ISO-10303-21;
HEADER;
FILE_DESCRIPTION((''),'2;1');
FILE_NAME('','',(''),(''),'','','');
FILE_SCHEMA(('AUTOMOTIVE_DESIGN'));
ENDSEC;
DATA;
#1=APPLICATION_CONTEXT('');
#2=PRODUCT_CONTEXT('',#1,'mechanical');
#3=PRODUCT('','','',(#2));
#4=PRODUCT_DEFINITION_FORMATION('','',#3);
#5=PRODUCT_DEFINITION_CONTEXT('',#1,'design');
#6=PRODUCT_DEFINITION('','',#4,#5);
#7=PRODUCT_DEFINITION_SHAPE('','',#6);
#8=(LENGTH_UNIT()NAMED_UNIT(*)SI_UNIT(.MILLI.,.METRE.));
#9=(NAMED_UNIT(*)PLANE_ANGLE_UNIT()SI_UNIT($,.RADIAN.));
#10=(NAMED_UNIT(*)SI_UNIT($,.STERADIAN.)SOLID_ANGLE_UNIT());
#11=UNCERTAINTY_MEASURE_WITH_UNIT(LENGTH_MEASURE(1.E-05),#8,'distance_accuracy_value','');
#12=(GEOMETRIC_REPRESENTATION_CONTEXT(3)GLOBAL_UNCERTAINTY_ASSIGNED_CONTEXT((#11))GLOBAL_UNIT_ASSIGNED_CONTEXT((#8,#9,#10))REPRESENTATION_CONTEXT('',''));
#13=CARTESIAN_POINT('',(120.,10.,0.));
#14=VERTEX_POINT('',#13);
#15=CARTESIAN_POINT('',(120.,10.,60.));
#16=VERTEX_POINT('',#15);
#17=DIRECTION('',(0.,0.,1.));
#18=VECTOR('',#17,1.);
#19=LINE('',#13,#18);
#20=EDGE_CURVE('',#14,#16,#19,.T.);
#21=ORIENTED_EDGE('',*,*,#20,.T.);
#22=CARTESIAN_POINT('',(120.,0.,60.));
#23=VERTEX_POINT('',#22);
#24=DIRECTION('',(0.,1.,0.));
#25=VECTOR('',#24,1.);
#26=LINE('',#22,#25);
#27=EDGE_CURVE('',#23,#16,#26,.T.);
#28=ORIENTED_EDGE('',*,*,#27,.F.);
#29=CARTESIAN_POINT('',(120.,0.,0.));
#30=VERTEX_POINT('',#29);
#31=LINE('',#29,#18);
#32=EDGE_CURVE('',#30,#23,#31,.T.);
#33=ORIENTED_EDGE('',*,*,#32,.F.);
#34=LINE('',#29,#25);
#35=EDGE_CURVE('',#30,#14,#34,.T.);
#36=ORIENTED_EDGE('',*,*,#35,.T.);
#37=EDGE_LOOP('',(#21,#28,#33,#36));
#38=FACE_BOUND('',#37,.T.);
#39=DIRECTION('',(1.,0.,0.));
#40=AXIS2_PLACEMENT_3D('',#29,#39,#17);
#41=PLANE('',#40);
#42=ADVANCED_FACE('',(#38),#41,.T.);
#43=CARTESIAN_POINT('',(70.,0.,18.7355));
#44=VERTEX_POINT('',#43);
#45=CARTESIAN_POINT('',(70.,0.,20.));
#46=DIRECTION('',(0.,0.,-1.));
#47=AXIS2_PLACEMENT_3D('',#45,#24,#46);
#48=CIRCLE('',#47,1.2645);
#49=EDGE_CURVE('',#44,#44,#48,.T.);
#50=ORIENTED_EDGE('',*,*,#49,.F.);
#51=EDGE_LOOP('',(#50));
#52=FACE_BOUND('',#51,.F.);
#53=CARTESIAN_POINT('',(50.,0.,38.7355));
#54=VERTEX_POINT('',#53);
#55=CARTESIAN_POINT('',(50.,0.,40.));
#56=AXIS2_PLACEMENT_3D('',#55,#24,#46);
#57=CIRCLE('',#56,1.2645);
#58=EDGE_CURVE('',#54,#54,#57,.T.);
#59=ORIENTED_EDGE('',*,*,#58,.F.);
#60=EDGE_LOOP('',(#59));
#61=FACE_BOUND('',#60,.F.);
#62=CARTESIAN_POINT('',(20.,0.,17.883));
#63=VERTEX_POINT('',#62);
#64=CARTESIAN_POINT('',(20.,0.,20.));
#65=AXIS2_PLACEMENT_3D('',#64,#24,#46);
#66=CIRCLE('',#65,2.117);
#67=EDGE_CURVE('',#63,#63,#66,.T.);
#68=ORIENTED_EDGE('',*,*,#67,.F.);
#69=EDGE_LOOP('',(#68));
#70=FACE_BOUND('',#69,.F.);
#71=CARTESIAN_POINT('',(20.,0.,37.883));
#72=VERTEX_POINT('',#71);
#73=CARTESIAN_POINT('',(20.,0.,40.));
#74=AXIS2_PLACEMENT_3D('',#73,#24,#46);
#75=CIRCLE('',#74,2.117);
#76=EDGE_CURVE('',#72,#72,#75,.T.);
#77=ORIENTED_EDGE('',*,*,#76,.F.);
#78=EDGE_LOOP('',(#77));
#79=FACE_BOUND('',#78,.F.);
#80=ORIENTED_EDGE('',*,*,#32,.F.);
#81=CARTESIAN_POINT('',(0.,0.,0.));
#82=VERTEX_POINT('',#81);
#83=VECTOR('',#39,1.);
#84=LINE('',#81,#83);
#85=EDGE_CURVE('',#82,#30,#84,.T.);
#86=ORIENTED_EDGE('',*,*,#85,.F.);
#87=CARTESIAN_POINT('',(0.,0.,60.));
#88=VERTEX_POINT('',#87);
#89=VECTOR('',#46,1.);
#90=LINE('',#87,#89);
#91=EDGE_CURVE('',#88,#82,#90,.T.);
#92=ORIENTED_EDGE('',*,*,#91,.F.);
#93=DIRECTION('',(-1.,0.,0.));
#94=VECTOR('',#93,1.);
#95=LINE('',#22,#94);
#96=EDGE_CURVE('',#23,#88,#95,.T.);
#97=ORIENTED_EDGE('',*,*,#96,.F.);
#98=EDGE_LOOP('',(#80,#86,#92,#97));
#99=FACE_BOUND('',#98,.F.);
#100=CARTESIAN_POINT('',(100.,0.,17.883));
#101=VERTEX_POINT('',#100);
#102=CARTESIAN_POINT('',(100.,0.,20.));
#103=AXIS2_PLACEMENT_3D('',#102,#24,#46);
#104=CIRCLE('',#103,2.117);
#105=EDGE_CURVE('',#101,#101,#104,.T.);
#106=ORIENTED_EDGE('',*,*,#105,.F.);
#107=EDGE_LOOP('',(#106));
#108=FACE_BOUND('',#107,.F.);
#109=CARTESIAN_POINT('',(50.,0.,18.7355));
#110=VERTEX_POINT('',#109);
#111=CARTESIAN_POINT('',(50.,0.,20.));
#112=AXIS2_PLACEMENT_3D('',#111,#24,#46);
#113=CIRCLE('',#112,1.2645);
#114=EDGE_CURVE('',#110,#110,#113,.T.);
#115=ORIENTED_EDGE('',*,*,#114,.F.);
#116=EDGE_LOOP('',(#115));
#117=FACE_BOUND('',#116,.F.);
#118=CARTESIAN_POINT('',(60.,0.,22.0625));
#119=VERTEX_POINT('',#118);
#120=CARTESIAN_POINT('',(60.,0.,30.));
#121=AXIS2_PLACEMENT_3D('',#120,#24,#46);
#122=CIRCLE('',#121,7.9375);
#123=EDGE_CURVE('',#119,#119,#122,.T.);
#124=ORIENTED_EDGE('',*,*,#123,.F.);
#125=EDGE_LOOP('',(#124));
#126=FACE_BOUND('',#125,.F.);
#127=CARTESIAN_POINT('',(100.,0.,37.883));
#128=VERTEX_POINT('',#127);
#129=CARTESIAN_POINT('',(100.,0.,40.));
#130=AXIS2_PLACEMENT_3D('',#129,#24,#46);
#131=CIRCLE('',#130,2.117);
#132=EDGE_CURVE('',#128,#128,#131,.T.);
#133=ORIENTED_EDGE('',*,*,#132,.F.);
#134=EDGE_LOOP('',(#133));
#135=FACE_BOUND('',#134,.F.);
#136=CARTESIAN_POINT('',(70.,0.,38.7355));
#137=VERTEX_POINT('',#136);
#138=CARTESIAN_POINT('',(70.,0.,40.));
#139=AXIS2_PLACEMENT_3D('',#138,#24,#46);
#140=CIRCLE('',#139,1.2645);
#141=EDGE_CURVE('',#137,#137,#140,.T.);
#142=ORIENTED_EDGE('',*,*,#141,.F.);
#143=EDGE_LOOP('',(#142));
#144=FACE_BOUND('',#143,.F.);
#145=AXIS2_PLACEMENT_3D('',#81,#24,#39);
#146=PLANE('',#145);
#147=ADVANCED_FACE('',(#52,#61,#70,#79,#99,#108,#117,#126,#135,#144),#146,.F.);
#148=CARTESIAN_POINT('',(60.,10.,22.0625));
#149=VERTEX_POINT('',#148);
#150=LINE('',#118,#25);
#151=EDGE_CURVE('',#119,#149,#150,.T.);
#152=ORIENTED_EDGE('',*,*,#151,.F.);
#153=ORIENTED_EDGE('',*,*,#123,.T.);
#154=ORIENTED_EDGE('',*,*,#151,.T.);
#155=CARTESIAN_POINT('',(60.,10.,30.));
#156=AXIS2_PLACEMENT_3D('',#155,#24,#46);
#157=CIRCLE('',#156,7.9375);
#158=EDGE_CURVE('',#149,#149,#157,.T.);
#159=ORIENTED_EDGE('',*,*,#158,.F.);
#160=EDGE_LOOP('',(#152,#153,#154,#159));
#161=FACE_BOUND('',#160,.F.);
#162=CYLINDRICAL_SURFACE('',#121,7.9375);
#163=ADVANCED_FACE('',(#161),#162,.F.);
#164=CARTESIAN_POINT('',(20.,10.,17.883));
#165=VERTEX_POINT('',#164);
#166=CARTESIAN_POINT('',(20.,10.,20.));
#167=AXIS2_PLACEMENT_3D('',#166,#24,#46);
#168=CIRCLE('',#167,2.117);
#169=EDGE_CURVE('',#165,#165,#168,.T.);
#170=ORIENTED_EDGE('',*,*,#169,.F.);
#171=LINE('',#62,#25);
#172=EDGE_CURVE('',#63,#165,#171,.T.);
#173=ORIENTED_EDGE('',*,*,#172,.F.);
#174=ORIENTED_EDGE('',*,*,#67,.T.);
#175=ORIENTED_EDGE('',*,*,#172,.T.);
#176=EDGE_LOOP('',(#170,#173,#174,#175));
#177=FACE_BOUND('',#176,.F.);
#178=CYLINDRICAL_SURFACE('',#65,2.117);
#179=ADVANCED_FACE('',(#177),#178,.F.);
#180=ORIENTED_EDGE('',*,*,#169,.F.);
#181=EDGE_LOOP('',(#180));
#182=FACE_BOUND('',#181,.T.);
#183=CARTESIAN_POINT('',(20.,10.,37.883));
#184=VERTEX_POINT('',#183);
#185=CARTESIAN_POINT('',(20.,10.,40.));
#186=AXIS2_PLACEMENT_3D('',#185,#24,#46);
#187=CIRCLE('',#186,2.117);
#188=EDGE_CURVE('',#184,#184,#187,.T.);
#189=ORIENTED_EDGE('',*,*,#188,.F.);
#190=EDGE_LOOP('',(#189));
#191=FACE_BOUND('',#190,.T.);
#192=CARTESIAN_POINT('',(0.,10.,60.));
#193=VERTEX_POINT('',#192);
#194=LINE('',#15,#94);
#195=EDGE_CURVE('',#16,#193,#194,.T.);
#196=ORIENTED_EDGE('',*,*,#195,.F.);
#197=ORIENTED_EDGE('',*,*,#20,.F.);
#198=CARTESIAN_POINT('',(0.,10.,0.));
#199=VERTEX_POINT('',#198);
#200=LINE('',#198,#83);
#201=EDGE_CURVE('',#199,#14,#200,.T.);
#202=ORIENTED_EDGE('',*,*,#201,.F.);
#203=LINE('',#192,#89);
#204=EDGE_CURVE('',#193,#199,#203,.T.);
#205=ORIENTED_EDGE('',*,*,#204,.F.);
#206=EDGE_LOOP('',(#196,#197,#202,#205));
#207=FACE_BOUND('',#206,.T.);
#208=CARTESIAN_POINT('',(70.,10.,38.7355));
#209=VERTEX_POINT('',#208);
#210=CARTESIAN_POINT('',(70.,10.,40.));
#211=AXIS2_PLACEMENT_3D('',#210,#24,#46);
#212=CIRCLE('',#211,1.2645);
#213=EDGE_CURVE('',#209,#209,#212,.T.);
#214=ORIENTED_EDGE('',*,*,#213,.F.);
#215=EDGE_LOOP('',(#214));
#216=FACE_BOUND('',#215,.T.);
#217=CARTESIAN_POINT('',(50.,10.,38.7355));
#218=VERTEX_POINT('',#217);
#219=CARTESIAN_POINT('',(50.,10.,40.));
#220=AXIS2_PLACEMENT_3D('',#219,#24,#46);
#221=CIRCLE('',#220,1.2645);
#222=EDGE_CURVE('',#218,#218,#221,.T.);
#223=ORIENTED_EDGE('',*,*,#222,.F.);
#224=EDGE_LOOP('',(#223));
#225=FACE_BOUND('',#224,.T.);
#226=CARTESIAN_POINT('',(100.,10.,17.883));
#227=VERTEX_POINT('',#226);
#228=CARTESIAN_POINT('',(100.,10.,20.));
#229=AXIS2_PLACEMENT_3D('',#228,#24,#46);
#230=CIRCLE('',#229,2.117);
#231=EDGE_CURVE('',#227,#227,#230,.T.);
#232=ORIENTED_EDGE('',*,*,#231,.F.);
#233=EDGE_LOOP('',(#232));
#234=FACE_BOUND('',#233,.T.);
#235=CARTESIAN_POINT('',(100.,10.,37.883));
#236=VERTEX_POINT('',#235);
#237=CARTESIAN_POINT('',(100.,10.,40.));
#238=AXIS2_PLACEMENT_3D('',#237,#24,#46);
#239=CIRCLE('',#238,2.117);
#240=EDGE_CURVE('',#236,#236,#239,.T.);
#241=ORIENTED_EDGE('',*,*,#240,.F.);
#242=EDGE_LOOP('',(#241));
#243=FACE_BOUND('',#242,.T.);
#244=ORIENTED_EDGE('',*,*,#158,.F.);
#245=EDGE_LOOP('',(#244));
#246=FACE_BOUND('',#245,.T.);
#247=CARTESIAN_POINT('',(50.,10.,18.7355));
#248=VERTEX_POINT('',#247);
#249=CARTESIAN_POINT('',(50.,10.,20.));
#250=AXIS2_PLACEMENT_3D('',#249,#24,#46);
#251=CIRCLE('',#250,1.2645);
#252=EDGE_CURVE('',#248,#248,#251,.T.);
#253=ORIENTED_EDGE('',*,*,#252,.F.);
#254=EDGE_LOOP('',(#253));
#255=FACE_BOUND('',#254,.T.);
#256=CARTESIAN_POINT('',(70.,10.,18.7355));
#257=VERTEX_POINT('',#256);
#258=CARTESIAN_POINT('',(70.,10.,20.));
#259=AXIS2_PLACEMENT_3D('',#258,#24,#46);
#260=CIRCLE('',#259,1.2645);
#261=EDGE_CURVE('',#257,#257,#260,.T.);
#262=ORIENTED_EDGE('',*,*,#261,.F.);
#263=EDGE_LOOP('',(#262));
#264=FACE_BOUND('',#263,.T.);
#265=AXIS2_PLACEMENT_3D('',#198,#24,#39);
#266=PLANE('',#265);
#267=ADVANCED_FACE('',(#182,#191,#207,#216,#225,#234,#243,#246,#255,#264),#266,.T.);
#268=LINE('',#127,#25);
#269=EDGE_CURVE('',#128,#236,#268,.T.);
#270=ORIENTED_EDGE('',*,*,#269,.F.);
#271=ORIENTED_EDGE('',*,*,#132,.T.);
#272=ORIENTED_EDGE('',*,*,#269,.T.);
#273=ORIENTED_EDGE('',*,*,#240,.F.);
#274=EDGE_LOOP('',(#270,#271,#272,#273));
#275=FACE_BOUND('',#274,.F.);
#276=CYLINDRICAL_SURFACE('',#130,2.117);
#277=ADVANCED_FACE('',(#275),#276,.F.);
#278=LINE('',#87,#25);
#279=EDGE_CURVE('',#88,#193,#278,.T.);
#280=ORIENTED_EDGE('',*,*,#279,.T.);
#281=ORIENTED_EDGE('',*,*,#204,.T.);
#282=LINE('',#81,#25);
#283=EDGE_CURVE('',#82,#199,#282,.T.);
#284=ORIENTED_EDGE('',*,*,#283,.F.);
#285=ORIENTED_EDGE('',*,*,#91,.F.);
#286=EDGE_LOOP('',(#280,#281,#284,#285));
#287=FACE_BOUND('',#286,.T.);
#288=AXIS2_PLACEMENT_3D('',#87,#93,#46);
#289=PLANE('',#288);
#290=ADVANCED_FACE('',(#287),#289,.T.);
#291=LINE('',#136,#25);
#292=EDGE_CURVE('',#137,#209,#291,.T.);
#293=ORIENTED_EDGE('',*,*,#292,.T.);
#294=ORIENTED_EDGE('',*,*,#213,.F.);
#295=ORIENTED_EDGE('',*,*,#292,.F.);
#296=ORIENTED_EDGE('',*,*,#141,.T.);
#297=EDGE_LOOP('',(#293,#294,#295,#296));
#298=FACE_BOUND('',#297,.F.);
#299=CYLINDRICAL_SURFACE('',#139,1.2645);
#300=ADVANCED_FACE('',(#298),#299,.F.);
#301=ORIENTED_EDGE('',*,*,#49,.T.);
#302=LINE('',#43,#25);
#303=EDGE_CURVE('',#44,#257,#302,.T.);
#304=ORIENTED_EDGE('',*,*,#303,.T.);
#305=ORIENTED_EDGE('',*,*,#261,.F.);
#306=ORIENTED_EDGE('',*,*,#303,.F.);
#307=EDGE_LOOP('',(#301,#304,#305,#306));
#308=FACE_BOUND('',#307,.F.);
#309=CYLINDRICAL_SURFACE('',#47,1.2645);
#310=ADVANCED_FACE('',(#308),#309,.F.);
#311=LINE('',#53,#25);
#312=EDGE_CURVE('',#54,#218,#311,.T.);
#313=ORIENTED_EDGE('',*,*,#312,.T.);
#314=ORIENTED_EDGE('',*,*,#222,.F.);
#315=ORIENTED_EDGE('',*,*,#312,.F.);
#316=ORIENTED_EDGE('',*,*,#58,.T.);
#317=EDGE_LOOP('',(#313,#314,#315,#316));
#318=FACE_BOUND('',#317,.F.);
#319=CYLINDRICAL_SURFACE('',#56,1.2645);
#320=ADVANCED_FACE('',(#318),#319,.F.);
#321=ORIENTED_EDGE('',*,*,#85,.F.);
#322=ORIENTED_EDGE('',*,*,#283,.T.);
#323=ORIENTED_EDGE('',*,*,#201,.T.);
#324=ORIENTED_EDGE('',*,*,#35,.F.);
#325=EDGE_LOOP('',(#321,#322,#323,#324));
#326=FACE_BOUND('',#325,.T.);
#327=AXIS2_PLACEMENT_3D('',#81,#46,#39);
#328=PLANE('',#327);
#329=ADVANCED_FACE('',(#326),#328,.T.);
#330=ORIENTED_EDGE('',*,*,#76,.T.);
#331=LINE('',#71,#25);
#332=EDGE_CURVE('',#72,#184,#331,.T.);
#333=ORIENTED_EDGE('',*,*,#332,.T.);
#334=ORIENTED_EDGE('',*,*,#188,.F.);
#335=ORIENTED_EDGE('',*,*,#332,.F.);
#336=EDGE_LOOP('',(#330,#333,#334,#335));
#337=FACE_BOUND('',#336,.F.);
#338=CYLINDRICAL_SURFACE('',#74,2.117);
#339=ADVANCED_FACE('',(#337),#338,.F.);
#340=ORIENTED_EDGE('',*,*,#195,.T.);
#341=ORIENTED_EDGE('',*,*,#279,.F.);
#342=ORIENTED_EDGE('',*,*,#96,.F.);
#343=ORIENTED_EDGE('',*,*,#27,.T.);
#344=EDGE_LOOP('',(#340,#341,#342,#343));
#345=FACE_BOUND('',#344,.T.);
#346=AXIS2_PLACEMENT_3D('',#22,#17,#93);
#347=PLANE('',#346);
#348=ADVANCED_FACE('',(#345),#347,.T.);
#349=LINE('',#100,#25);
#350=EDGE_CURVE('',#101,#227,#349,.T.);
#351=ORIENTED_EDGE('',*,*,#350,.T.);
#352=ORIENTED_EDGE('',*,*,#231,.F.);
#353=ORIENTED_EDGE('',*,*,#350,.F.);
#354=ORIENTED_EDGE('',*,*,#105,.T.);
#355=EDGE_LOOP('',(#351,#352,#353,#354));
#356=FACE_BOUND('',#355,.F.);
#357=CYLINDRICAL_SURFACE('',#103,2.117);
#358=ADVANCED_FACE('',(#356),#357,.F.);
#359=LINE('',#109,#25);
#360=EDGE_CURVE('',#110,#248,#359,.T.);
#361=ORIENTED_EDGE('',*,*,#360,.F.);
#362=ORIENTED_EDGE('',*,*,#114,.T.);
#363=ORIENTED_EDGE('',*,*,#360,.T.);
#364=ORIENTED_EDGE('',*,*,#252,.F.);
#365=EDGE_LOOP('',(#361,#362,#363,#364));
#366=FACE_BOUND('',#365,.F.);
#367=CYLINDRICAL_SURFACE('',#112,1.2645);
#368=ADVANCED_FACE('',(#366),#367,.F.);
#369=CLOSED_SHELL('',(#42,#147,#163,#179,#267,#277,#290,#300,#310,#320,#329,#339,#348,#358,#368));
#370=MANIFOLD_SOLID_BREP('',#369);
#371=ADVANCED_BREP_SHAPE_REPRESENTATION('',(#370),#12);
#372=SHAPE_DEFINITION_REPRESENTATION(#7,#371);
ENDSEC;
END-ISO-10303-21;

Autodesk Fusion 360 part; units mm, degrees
sketch "Sketch1" plane through (0, 0, 0) normal (0, 1, 0) x (1, 0, 0)
  line L0 (0, 0) -> (120, 0)
  line L1 (120, 0) -> (120, -60)
  line L2 (120, -60) -> (0, -60)
  line L3 (0, -60) -> (0, 0)
  dimension "d1" = 120
  dimension "d2" = 60
extrude "Extrude1" add sketch "Sketch1" along normal blind 10
sketch "Sketch2" plane through (0, 0, 0) normal (0, -1, 0) x (1, 0, 0)
  line L0 (120, 60) -> (0, 60)
  line L1 (0, 60) -> (0, 0)
  line L2 (0, 0) -> (120, 0)
  line L3 (120, 0) -> (120, 60)
  line L4 (75.5, 45.5) -> (44.5, 45.5)
  line L5 (44.5, 45.5) -> (44.5, 14.5)
  line L6 (44.5, 14.5) -> (75.5, 14.5)
  dimension "d8" = 31
  dimension "d9" = 31
  dimension "d10" = 31
sketch "Sketch3" plane through (0, 0, 0) normal (0, -1, 0) x (1, 0, 0)
  circle A0 centre (44.5, 14.5) radius 1.2645
  circle A1 centre (75.5, 45.5) radius 1.2645
  circle A2 centre (75.5, 14.5) radius 1.2645
  circle A3 centre (44.5, 45.5) radius 1.2645
  line L0 (120, 60) -> (0, 60)
  line L1 (0, 60) -> (0, 0)
  line L2 (0, 0) -> (120, 0)
  line L3 (120, 0) -> (120, 60)
  line L4 (60, 60) -> (60, 30)
  line L5 (120, 60) -> (0, 60)
  line L6 (0, 60) -> (0, 0)
  line L7 (0, 0) -> (120, 0)
  line L8 (120, 0) -> (120, 60)
  dimension "d20" = 30
sketch "Sketch4" plane through (0, 0, 0) normal (0, -1, 0) x (1, 0, 0)
  line L0 (120, 60) -> (0, 60)
  line L1 (0, 60) -> (0, 0)
  line L2 (0, 0) -> (120, 0)
  line L3 (120, 0) -> (120, 60)
sketch "Sketch6" plane through (0, 0, 0) normal (0, -1, 0) x (1, 0, 0)
sketch "Sketch7" plane through (0, 0, 0) normal (0, -1, 0) x (1, 0, 0)
  line L0 (0, 0) -> (60, 0)
  line L1 (60, 0) -> (60, 30)
  line L2 (60, 30) -> (100, 30)
  line L3 (60, 30) -> (20, 30)
  line L4 (20, 30) -> (20, 20)
  line L5 (20, 30) -> (20, 40)
  line L6 (100, 30) -> (100, 20)
  line L7 (100, 30) -> (100, 40)
  dimension "d21" = 60
  dimension "d22" = 30
  dimension "d23" = 40
  dimension "d24" = 40
  dimension "d25" = 10
  dimension "d26" = 10
  dimension "d27" = 10
  dimension "d28" = 10
hole "Hole3" at (60, 0, 30) direction (0, 1, 0) diameter 15.875 depth 25 tip angle 118
sketch "Sketch8" plane through (0, 0, 0) normal (0, -1, 0) x (1, 0, 0)
  line L0 (0, 0) -> (60, 0)
  line L1 (60, 0) -> (60, 30)
  line L2 (60, 30) -> (100, 30)
  line L3 (100, 30) -> (100, 40)
  line L4 (100, 30) -> (100, 20)
  line L5 (100, 40) -> (20, 40)
  line L6 (60, 30) -> (20, 30)
  line L7 (20, 40) -> (20, 20)
  dimension "d32" = 60
  dimension "d33" = 30
  dimension "d34" = 40
  dimension "d35" = 10
  dimension "d36" = 10
  dimension "d37" = 80
  dimension "d38" = 40
  dimension "d39" = 20
hole "Hole4" at (20, 0, 40) at (100, 0, 40) at (100, 0, 20) at (20, 0, 20) direction (0, 1, 0) diameter 4.234 depth 25 tip angle 118
sketch "Sketch9" plane through (0, 0, 0) normal (0, -1, 0) x (1, 0, 0)
  line L0 (70, 40) -> (50, 40)
  line L1 (50, 40) -> (50, 20)
  line L2 (50, 20) -> (70, 20)
  dimension "d47" = 20
  dimension "d48" = 20
  dimension "d49" = 20
hole "Hole5" at (70, 0, 40) at (70, 0, 20) at (50, 0, 40) at (50, 0, 20) direction (0, 1, 0) diameter 2.529 depth 90 tip angle 118
sketch "Sketch5" plane through (0, 0, 0) normal (0, -1, 0) x (1, 0, 0)
